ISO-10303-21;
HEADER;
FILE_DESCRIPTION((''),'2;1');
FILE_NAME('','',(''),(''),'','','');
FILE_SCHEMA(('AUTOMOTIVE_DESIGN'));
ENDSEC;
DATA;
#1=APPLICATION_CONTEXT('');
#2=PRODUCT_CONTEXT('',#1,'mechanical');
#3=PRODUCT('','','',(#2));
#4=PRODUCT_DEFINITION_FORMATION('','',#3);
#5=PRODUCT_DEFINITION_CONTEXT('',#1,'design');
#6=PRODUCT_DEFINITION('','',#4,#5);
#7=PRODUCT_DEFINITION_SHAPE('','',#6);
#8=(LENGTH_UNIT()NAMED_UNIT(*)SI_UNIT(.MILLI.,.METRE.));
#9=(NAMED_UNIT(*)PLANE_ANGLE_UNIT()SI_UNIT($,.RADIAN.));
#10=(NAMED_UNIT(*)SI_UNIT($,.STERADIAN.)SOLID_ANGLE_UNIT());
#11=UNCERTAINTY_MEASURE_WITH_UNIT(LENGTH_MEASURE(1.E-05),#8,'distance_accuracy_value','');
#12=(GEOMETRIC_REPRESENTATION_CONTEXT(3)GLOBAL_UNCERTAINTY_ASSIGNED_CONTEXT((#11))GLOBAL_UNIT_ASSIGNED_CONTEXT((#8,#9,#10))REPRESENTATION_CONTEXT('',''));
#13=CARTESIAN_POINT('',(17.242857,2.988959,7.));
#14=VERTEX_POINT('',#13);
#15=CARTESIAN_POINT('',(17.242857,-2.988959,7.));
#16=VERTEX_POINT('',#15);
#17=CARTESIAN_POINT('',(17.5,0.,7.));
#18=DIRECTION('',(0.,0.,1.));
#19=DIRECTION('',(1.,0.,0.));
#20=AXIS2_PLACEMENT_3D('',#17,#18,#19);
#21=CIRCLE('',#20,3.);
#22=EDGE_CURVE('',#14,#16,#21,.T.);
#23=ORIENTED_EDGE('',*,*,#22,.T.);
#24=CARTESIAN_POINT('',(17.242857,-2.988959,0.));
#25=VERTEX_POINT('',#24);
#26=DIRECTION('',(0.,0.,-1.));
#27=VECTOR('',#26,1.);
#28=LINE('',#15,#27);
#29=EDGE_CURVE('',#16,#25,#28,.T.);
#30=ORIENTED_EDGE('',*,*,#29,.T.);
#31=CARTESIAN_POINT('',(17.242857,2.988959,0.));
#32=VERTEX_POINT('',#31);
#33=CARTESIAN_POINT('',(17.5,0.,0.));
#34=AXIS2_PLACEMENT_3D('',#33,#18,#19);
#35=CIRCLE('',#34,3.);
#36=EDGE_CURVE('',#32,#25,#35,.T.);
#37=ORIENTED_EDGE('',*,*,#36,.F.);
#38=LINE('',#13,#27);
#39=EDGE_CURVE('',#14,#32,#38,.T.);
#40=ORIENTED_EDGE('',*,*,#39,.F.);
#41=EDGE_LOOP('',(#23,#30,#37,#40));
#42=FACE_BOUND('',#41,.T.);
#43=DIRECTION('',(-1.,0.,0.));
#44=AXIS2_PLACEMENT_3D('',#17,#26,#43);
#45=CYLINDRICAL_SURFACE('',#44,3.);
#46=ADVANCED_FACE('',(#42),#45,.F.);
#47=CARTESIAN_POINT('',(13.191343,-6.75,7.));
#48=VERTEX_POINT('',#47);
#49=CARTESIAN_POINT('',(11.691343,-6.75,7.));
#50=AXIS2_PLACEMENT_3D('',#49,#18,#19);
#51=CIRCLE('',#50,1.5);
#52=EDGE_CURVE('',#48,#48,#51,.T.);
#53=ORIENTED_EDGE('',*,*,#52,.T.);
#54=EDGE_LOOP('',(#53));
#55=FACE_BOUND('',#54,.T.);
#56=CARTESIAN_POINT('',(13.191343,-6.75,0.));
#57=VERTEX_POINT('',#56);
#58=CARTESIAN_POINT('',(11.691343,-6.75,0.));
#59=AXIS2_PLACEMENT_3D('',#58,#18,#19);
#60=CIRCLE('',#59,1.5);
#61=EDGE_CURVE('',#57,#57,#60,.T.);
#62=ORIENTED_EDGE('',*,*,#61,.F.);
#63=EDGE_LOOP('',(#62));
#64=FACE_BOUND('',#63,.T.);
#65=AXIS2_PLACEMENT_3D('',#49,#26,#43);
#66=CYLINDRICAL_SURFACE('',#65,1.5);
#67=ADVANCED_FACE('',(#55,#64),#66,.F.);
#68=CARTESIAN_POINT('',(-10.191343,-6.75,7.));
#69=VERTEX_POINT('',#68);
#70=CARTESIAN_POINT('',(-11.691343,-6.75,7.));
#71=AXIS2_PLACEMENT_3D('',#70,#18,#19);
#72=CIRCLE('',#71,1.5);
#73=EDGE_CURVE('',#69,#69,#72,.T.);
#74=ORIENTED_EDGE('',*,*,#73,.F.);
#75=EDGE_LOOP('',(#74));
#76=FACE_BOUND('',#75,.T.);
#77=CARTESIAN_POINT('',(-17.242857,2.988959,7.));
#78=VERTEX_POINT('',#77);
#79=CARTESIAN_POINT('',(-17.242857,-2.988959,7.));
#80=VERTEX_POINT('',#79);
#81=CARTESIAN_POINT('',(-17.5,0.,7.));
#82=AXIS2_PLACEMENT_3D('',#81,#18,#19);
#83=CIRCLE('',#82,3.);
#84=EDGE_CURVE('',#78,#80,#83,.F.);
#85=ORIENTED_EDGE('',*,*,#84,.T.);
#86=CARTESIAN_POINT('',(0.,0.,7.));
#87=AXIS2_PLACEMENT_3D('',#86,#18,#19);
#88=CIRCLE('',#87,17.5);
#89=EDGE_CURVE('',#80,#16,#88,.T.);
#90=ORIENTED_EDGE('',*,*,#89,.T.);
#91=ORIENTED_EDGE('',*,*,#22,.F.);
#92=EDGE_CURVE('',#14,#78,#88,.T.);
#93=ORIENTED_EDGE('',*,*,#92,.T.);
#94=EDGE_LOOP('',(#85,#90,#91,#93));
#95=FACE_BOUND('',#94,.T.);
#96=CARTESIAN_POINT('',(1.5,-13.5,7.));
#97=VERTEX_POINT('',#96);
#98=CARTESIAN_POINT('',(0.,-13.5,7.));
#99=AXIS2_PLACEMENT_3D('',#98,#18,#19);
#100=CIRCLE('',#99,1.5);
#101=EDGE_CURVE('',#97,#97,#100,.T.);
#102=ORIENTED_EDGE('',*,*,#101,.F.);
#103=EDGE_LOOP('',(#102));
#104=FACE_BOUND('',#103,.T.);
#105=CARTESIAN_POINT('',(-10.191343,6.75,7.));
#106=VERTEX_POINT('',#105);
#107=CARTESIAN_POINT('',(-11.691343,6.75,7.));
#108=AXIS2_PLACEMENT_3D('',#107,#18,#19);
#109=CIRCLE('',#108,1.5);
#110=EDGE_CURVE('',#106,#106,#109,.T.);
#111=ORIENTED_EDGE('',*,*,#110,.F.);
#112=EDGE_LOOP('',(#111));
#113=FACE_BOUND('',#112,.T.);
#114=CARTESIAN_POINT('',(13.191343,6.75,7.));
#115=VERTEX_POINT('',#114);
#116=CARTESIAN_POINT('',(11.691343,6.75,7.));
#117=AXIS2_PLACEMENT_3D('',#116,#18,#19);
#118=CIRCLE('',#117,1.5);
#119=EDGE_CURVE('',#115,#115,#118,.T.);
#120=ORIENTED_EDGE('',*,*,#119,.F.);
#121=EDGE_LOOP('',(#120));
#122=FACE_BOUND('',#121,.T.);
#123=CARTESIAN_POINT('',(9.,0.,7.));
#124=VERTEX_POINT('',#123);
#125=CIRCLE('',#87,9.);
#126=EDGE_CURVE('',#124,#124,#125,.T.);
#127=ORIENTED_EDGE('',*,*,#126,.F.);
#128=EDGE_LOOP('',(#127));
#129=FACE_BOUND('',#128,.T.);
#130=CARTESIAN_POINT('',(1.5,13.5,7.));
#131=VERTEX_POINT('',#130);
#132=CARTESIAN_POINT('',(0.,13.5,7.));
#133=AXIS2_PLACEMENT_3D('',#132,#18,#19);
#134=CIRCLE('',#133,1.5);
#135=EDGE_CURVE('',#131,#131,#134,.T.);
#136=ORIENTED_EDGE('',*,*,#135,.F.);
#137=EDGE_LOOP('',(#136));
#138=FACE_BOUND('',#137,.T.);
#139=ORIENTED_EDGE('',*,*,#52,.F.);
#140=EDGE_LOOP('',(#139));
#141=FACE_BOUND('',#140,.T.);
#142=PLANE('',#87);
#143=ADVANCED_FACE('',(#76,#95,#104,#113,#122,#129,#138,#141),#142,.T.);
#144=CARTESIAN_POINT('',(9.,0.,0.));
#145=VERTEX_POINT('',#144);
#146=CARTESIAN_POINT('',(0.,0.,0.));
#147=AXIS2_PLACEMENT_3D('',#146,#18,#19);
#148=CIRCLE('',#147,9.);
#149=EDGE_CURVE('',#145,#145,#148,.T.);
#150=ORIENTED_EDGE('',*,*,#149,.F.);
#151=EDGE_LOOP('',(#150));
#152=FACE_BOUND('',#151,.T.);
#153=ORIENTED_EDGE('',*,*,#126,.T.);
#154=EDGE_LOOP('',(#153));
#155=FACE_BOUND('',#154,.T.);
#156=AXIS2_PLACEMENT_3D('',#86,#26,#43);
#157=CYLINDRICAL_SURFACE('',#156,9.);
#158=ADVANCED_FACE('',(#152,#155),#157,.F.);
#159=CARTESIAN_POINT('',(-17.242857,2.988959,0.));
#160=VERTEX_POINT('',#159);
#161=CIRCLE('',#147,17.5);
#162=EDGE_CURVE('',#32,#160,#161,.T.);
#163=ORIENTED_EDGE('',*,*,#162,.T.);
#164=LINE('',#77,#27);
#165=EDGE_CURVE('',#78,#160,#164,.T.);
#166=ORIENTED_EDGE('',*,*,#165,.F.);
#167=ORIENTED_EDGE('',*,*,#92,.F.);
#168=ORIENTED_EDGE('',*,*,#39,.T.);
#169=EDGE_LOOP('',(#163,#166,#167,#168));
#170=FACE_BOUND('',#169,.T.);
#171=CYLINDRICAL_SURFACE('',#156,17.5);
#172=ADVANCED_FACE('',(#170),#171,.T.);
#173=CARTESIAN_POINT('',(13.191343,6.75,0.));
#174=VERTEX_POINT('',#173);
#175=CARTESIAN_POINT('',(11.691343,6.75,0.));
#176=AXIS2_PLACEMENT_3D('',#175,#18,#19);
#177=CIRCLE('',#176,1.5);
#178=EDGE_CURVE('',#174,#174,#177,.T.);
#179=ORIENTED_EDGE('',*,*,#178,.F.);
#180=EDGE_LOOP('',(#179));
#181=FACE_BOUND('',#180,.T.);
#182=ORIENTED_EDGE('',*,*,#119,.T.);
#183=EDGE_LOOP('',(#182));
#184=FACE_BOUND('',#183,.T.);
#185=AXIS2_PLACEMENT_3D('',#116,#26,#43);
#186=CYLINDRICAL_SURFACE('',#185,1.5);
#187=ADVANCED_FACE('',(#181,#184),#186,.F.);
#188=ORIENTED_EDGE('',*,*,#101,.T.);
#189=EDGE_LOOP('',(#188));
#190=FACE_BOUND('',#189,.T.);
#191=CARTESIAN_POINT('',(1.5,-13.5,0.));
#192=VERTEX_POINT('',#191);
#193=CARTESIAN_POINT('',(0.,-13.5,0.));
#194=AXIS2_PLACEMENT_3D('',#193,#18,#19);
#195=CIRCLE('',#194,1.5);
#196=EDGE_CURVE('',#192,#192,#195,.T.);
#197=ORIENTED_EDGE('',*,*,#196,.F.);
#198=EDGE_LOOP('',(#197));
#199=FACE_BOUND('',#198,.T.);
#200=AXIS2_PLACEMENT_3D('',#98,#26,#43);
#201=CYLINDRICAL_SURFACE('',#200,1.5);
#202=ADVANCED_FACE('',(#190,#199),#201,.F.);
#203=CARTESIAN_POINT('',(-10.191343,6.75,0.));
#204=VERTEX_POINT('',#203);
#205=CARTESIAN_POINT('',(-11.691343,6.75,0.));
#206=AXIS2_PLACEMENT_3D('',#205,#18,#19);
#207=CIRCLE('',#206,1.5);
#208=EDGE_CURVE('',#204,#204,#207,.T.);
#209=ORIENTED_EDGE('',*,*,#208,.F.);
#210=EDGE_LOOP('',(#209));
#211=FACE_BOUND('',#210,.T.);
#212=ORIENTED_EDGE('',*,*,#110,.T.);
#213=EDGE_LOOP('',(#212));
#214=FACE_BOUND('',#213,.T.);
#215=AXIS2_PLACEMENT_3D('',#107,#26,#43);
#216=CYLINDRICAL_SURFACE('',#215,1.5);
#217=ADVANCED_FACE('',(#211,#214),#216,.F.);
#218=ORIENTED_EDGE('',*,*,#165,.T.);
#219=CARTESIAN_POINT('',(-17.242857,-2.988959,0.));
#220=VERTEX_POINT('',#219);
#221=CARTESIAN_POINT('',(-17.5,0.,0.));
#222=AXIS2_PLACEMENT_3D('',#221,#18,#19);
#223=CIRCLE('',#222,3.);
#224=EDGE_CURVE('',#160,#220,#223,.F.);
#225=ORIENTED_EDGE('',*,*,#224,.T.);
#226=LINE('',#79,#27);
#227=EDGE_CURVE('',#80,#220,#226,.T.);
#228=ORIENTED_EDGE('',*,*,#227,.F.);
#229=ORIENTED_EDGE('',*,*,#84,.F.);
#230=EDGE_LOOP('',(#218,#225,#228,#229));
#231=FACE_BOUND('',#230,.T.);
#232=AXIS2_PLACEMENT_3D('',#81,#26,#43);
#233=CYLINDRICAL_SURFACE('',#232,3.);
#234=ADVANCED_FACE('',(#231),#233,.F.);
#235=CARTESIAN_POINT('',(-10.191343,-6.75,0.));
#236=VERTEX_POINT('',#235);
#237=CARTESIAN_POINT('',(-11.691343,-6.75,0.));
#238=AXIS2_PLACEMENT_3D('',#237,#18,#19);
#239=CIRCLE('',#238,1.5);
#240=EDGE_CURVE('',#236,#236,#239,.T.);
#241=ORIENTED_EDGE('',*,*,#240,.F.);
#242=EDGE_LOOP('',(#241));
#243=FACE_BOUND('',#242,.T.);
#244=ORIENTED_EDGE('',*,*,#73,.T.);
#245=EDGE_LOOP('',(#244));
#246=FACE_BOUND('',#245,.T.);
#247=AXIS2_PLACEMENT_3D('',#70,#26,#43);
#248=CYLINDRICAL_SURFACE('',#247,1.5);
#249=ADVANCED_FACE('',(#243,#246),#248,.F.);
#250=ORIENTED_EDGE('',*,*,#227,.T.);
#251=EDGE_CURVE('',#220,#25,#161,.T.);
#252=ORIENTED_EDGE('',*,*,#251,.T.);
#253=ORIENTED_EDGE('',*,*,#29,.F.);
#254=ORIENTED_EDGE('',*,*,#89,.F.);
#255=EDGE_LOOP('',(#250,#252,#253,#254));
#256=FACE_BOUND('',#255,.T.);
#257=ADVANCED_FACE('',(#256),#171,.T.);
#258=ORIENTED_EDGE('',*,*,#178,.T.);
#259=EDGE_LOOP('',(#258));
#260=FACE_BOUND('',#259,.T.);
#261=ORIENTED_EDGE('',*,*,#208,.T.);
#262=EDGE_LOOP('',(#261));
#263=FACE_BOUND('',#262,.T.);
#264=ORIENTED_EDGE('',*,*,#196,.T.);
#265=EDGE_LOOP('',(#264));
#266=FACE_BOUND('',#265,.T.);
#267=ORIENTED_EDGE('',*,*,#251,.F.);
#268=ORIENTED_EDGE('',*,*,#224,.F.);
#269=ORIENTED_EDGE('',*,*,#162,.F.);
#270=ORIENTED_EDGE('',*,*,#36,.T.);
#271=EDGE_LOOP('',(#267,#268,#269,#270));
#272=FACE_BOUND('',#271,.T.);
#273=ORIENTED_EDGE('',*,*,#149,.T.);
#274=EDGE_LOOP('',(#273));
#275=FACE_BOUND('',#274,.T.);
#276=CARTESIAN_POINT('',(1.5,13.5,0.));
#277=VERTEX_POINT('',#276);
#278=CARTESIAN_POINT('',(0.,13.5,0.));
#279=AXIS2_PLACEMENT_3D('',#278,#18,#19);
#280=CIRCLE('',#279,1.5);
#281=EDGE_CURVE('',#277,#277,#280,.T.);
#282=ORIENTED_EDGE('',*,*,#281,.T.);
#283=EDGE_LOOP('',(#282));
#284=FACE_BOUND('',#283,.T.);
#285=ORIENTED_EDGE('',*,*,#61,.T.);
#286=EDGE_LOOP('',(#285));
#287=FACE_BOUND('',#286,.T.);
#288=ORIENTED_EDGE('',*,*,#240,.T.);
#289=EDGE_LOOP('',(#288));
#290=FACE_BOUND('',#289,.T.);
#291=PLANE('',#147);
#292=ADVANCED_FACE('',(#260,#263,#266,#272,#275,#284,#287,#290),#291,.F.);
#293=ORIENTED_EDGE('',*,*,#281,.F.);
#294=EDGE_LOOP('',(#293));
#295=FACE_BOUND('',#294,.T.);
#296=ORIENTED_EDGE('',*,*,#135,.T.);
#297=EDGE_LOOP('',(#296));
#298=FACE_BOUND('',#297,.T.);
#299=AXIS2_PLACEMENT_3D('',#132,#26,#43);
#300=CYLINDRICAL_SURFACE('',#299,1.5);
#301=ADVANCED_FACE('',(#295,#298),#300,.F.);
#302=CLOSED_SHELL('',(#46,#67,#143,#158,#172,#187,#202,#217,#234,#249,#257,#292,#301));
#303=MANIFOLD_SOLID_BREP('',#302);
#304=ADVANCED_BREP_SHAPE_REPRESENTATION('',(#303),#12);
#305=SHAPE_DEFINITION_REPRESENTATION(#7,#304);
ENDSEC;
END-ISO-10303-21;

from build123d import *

# Parameters (mm, degrees)
SKETCH_1_R      = 1.5
SKETCH_1_R_2    = 9
EXTRUDE_1_DEPTH = 7


with BuildPart() as part:
    # 草图1 → 凸台-拉伸1 (new body)
    with BuildSketch(Plane.XY):
        with BuildLine():
            ThreePointArc((17.242857143, -2.988959276), (14.5, 0), (17.242857143, 2.988959276))
            ThreePointArc((17.242857143, 2.988959276), (0, 17.5), (-17.242857143, 2.988959276))
            ThreePointArc((-17.242857143, 2.988959276), (-14.5, 0), (-17.242857143, -2.988959276))
            ThreePointArc((-17.242857143, -2.988959276), (0, -17.5), (17.242857143, -2.988959276))
        make_face()
        with Locations((-11.691342951, -6.75)):
            Circle(SKETCH_1_R, mode=Mode.SUBTRACT)
        with Locations((0, -13.5)):
            Circle(SKETCH_1_R, mode=Mode.SUBTRACT)
        with Locations((11.691342951, -6.75)):
            Circle(SKETCH_1_R, mode=Mode.SUBTRACT)
        with Locations((-11.691342951, 6.75)):
            Circle(SKETCH_1_R, mode=Mode.SUBTRACT)
        Circle(SKETCH_1_R_2, mode=Mode.SUBTRACT)
        with Locations((11.691342951, 6.75)):
            Circle(SKETCH_1_R, mode=Mode.SUBTRACT)
        with Locations((0, 13.5)):
            Circle(SKETCH_1_R, mode=Mode.SUBTRACT)
    extrude(amount=EXTRUDE_1_DEPTH)


solid = part.part
